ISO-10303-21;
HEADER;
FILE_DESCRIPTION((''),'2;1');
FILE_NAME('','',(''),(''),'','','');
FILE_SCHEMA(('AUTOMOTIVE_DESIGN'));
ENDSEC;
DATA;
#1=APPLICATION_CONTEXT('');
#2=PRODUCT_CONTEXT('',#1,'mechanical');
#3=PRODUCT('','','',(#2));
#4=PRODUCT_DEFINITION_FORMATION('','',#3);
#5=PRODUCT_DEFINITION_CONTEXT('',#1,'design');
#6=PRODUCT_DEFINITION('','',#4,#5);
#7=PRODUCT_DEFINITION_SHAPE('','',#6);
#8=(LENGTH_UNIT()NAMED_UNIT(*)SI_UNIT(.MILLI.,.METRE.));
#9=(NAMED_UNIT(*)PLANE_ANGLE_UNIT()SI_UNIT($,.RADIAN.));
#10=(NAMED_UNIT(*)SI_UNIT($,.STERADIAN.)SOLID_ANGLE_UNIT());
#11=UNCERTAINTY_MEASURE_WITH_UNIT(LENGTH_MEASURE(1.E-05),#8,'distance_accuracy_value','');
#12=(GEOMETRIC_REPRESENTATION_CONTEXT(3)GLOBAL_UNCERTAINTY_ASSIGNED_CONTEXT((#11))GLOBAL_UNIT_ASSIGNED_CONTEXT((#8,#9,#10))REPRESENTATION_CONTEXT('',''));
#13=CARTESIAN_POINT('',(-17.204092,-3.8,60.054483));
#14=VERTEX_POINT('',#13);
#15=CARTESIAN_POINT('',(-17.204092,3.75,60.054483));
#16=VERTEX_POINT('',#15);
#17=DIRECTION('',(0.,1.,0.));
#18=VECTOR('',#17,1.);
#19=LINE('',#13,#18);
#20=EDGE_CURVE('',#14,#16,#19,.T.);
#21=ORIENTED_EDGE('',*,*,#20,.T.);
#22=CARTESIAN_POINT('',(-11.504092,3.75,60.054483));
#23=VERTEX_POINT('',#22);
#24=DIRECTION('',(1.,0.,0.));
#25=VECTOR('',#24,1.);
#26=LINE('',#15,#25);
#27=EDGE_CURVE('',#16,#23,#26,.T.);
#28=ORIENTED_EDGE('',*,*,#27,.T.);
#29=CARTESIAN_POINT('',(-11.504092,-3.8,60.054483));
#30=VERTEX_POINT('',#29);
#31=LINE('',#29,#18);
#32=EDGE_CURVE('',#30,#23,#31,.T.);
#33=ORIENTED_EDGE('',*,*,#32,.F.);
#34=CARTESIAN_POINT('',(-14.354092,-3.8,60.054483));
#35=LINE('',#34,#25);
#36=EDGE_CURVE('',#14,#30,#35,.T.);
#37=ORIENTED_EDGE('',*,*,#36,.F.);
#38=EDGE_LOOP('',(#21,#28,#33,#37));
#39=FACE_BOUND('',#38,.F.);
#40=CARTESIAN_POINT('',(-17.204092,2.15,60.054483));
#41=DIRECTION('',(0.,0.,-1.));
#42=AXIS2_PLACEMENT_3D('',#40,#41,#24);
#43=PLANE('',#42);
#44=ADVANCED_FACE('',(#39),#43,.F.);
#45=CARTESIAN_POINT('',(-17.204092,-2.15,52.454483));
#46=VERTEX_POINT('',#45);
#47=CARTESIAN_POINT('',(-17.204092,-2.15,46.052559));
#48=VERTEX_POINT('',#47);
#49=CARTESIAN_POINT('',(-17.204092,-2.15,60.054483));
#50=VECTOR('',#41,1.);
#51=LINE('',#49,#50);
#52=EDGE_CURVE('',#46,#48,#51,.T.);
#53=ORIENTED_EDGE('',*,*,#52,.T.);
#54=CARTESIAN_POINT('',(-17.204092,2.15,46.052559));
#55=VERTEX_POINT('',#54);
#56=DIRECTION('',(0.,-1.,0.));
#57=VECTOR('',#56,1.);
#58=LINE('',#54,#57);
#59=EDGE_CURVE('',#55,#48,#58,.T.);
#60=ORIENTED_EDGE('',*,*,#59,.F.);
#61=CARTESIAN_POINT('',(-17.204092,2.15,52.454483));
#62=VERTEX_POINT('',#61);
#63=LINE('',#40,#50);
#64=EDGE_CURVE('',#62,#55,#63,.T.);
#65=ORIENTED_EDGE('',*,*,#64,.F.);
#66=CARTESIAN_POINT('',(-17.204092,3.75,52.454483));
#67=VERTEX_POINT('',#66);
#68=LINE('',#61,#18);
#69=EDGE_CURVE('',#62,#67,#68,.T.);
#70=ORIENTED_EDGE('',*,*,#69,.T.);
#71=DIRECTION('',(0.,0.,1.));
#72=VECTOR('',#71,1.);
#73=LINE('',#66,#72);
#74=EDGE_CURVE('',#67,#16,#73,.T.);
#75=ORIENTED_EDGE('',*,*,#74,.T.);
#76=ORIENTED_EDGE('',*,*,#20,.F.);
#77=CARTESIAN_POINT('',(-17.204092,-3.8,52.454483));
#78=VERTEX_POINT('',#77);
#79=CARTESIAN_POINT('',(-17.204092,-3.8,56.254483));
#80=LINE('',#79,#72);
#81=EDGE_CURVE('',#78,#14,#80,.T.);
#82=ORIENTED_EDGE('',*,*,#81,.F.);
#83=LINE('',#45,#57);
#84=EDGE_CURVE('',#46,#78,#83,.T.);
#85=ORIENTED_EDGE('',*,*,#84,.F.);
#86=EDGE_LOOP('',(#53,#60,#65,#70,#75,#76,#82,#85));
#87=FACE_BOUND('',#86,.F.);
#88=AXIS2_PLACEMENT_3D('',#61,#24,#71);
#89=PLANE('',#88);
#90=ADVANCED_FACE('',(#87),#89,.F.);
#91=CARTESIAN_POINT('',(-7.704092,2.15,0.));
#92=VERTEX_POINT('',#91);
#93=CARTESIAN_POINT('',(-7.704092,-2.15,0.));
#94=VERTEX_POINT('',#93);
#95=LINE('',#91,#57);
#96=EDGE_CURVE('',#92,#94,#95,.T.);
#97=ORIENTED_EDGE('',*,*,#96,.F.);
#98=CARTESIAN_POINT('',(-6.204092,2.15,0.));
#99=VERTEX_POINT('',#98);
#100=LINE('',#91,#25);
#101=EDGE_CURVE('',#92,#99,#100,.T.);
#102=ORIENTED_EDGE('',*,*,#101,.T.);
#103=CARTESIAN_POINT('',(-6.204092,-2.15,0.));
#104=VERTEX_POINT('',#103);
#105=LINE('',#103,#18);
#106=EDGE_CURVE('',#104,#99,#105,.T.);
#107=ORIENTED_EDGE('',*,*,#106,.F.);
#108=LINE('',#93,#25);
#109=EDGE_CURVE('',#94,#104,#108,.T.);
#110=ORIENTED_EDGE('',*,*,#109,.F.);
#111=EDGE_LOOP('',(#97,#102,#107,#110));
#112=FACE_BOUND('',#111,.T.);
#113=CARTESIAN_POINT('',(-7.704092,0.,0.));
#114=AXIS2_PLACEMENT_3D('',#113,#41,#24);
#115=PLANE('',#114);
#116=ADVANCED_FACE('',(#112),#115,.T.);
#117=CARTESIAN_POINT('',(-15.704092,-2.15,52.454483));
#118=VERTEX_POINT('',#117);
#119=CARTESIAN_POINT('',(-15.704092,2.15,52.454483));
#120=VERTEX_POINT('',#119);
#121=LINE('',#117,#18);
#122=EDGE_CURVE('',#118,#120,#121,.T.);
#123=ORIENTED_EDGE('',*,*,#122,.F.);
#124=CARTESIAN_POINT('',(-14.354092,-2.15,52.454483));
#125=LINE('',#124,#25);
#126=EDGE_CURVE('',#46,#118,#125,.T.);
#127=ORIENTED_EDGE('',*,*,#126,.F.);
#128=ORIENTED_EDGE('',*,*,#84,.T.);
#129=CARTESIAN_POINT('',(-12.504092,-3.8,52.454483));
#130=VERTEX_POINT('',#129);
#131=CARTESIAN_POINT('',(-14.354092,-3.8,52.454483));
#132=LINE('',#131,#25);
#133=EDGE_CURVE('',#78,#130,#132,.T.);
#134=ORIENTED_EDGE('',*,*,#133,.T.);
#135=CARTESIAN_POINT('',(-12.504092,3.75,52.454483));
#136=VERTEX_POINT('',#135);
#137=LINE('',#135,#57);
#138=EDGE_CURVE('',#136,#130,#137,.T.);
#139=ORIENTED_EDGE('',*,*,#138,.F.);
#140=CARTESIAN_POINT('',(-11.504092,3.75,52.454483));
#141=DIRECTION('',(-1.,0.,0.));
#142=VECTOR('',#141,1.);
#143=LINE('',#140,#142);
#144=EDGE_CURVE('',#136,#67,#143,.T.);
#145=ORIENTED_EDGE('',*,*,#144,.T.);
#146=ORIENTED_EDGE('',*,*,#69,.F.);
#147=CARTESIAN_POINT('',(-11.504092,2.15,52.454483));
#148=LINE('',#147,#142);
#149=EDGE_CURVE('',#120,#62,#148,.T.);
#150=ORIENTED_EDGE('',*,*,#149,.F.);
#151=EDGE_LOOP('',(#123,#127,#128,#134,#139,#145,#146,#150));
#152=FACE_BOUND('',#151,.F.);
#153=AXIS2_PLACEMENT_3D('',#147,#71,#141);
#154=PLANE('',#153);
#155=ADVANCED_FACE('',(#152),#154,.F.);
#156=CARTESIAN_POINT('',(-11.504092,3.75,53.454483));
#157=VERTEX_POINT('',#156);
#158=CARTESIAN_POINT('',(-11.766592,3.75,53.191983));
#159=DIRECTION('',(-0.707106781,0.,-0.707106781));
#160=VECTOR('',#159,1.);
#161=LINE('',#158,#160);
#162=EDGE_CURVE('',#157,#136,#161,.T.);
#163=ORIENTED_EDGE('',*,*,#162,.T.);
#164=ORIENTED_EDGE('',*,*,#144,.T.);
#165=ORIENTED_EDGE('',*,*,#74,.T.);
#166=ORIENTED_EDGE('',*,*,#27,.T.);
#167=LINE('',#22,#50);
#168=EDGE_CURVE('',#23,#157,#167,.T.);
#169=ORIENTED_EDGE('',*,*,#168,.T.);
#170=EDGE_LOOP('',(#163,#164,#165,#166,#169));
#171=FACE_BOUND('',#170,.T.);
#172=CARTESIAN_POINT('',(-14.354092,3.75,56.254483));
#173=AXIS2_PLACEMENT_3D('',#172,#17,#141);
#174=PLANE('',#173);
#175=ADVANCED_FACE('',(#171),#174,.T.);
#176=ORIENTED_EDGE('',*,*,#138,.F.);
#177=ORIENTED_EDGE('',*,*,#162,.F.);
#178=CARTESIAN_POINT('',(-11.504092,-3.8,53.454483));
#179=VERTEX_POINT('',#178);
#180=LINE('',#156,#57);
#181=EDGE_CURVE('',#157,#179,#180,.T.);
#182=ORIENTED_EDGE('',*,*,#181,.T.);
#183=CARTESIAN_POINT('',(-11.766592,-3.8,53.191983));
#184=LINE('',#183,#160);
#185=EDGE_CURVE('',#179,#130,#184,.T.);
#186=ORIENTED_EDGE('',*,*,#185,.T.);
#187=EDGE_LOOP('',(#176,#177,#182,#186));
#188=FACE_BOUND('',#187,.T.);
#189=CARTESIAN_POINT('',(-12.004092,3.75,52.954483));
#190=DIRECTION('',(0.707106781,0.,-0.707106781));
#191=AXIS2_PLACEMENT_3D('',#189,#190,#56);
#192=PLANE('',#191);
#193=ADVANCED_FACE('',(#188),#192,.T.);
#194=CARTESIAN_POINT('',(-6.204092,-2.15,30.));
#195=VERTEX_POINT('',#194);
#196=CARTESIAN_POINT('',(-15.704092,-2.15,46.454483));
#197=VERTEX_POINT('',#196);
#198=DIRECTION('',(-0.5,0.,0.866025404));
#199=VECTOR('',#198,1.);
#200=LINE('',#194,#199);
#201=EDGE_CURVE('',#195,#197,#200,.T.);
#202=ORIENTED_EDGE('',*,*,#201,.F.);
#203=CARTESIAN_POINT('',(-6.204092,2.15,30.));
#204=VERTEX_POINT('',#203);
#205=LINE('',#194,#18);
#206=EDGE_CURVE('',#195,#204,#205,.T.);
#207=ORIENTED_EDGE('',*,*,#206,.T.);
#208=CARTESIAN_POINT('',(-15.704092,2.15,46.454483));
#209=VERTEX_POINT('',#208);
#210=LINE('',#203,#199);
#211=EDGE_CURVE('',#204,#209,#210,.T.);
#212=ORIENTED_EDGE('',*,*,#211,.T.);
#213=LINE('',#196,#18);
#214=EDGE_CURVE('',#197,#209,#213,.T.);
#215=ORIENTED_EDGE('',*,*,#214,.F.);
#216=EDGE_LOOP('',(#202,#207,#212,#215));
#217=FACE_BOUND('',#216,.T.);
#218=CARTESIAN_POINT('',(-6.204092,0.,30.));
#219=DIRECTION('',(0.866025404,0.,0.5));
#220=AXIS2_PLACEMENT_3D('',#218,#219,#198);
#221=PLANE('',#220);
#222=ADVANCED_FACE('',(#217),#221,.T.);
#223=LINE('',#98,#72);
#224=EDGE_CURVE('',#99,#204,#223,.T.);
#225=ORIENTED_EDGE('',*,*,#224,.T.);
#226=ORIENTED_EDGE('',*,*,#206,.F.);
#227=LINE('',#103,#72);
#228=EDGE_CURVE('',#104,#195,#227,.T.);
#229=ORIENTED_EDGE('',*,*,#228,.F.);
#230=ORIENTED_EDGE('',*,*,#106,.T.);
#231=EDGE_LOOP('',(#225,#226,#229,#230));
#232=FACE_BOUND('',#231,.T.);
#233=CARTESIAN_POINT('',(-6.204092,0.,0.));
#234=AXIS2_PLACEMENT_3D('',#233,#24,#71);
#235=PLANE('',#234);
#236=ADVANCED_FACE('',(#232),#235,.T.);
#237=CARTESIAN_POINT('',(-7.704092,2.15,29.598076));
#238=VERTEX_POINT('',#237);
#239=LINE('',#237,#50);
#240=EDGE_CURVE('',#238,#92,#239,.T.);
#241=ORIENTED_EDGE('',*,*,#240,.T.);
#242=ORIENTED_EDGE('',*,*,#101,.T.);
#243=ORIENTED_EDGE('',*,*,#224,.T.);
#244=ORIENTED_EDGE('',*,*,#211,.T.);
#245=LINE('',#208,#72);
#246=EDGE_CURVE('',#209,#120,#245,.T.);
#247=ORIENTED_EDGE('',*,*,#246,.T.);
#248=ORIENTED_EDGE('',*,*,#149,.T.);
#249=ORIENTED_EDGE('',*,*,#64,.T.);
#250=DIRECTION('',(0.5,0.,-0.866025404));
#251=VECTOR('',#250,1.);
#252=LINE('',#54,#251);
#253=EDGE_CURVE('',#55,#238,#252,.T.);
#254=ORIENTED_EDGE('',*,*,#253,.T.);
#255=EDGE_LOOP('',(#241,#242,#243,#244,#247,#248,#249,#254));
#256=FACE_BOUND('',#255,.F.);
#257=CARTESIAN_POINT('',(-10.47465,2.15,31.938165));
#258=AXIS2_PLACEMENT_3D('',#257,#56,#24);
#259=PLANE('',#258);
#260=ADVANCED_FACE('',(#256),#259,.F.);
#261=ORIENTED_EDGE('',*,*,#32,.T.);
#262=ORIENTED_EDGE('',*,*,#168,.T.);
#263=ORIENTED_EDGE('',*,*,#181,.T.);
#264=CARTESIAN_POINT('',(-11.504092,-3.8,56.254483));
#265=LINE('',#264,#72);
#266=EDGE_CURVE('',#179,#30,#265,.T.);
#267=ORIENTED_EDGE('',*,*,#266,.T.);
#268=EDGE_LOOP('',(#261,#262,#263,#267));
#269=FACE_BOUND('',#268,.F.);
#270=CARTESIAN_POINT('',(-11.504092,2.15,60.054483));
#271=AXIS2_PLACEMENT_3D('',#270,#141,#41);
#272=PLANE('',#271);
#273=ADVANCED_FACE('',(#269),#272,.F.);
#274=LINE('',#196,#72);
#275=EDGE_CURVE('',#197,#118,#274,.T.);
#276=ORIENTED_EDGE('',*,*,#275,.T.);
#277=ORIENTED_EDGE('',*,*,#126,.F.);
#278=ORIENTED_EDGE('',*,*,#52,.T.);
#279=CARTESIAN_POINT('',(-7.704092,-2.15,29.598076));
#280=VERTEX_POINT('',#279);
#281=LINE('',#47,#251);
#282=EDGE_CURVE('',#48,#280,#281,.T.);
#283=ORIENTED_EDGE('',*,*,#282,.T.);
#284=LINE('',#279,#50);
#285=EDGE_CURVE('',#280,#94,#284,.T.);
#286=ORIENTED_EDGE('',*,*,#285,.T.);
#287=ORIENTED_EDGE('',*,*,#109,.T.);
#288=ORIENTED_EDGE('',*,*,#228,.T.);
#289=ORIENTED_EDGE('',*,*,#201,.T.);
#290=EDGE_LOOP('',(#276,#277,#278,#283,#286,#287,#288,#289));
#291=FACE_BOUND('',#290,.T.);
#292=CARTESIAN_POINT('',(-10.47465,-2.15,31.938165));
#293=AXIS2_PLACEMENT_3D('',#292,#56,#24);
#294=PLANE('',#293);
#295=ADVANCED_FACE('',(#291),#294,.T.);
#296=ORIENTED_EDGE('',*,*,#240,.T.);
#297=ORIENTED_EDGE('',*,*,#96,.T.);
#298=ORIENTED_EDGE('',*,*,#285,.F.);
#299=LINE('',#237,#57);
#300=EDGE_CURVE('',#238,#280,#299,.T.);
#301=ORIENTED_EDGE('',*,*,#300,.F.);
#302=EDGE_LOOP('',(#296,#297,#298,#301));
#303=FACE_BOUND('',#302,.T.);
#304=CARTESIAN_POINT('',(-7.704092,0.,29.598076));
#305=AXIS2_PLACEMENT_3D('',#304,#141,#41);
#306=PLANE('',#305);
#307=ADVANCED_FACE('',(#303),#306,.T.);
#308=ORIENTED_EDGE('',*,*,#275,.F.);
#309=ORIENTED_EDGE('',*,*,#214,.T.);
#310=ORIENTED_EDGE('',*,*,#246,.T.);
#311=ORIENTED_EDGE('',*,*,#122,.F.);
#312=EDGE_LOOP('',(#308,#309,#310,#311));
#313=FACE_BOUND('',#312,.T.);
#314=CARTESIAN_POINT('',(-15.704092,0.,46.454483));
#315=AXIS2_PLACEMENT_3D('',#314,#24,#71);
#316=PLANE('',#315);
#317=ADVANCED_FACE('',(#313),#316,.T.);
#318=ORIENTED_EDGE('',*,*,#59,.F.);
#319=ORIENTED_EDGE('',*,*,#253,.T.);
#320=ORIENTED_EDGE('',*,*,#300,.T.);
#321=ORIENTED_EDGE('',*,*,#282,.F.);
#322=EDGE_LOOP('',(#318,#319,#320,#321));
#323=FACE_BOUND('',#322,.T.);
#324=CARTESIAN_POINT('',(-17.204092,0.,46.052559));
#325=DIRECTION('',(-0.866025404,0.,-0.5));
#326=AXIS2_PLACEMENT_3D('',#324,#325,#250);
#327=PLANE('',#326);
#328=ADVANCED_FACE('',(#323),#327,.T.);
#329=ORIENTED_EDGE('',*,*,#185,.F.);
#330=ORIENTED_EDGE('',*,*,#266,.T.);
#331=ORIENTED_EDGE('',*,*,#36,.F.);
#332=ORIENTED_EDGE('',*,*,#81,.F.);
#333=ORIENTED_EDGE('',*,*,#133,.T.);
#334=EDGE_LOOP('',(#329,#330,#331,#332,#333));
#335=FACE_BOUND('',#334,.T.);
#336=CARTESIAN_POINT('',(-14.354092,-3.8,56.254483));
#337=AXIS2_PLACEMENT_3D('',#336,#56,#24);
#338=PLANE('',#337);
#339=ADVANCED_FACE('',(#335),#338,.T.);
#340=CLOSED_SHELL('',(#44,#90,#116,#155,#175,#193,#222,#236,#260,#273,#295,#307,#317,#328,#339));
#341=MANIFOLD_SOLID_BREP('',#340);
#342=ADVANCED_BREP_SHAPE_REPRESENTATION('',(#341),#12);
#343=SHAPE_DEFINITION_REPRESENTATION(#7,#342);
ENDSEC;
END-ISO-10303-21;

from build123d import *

# Parameters (mm, degrees)
F1_DEPTH = 2.15
F2_W     = 5.7
F2_H     = 7.6
F3_DEPTH = 1.65
F5_DEPTH = 1.6
F6_SIZE  = 1


with BuildPart() as f1:
    # F0 (on Front) → F1 (new body, symmetric)
    with BuildSketch(Plane.XZ):
        Polygon((-7.7040915435, 0), (-6.2040915435, 0), (-6.2040915435, 30), (-15.7040915435, 46.4544826719), (-15.7040915435, 52.4544826719), (-11.5040915435, 52.4544826719), (-11.5040915435, 60.0544826719), (-17.2040915435, 60.0544826719), (-17.2040915435, 46.0525588833), (-7.7040915435, 29.5980762114), align=None)
    extrude(amount=F1_DEPTH, both=True)

    # F2 (on face) + F1_face1 (on face) → F3 (join)
    with BuildSketch(Plane.XZ.offset(2.15)):
        with Locations((-14.3540915435, 56.2544826719)):
            Rectangle(F2_W, F2_H)
    with BuildSketch(Plane(origin=(-11.28016615, 2.15, 36.9237290057), x_dir=(1, 0, 0), z_dir=(0, 1, 0))):
        Polygon((5.0760746065, 36.9237290057), (3.5760746065, 36.9237290057), (3.5760746065, 7.3256527943), (-5.9239253935, -9.1288298776), (-5.9239253935, -23.1307536662), (-0.2239253935, -23.1307536662), (-0.2239253935, -15.5307536662), (-4.4239253935, -15.5307536662), (-4.4239253935, -9.5307536662), (5.0760746065, 6.9237290057), align=None)
    extrude(amount=F3_DEPTH, dir=(0, -1, 0))

    # F4 (on face) → F5 (join)
    with BuildSketch(Plane(origin=(0, 2.15, 0), x_dir=(-1, 0, 0), z_dir=(0, 1, 0))):
        Polygon((17.2040915435, 52.4544826719), (17.2040915435, 60.0544826719), (11.5040915435, 60.0544826719), (11.5040915435, 52.4544826719), (15.7040915435, 52.4544826719), align=None)
    extrude(amount=F5_DEPTH)

    # F6
    f6_edges = [f1.edges().sort_by_distance(p)[0] for p in [
        (-11.504092, -0.025, 52.454483),
    ]]
    chamfer(f6_edges, length=F6_SIZE)


solid = f1.part
